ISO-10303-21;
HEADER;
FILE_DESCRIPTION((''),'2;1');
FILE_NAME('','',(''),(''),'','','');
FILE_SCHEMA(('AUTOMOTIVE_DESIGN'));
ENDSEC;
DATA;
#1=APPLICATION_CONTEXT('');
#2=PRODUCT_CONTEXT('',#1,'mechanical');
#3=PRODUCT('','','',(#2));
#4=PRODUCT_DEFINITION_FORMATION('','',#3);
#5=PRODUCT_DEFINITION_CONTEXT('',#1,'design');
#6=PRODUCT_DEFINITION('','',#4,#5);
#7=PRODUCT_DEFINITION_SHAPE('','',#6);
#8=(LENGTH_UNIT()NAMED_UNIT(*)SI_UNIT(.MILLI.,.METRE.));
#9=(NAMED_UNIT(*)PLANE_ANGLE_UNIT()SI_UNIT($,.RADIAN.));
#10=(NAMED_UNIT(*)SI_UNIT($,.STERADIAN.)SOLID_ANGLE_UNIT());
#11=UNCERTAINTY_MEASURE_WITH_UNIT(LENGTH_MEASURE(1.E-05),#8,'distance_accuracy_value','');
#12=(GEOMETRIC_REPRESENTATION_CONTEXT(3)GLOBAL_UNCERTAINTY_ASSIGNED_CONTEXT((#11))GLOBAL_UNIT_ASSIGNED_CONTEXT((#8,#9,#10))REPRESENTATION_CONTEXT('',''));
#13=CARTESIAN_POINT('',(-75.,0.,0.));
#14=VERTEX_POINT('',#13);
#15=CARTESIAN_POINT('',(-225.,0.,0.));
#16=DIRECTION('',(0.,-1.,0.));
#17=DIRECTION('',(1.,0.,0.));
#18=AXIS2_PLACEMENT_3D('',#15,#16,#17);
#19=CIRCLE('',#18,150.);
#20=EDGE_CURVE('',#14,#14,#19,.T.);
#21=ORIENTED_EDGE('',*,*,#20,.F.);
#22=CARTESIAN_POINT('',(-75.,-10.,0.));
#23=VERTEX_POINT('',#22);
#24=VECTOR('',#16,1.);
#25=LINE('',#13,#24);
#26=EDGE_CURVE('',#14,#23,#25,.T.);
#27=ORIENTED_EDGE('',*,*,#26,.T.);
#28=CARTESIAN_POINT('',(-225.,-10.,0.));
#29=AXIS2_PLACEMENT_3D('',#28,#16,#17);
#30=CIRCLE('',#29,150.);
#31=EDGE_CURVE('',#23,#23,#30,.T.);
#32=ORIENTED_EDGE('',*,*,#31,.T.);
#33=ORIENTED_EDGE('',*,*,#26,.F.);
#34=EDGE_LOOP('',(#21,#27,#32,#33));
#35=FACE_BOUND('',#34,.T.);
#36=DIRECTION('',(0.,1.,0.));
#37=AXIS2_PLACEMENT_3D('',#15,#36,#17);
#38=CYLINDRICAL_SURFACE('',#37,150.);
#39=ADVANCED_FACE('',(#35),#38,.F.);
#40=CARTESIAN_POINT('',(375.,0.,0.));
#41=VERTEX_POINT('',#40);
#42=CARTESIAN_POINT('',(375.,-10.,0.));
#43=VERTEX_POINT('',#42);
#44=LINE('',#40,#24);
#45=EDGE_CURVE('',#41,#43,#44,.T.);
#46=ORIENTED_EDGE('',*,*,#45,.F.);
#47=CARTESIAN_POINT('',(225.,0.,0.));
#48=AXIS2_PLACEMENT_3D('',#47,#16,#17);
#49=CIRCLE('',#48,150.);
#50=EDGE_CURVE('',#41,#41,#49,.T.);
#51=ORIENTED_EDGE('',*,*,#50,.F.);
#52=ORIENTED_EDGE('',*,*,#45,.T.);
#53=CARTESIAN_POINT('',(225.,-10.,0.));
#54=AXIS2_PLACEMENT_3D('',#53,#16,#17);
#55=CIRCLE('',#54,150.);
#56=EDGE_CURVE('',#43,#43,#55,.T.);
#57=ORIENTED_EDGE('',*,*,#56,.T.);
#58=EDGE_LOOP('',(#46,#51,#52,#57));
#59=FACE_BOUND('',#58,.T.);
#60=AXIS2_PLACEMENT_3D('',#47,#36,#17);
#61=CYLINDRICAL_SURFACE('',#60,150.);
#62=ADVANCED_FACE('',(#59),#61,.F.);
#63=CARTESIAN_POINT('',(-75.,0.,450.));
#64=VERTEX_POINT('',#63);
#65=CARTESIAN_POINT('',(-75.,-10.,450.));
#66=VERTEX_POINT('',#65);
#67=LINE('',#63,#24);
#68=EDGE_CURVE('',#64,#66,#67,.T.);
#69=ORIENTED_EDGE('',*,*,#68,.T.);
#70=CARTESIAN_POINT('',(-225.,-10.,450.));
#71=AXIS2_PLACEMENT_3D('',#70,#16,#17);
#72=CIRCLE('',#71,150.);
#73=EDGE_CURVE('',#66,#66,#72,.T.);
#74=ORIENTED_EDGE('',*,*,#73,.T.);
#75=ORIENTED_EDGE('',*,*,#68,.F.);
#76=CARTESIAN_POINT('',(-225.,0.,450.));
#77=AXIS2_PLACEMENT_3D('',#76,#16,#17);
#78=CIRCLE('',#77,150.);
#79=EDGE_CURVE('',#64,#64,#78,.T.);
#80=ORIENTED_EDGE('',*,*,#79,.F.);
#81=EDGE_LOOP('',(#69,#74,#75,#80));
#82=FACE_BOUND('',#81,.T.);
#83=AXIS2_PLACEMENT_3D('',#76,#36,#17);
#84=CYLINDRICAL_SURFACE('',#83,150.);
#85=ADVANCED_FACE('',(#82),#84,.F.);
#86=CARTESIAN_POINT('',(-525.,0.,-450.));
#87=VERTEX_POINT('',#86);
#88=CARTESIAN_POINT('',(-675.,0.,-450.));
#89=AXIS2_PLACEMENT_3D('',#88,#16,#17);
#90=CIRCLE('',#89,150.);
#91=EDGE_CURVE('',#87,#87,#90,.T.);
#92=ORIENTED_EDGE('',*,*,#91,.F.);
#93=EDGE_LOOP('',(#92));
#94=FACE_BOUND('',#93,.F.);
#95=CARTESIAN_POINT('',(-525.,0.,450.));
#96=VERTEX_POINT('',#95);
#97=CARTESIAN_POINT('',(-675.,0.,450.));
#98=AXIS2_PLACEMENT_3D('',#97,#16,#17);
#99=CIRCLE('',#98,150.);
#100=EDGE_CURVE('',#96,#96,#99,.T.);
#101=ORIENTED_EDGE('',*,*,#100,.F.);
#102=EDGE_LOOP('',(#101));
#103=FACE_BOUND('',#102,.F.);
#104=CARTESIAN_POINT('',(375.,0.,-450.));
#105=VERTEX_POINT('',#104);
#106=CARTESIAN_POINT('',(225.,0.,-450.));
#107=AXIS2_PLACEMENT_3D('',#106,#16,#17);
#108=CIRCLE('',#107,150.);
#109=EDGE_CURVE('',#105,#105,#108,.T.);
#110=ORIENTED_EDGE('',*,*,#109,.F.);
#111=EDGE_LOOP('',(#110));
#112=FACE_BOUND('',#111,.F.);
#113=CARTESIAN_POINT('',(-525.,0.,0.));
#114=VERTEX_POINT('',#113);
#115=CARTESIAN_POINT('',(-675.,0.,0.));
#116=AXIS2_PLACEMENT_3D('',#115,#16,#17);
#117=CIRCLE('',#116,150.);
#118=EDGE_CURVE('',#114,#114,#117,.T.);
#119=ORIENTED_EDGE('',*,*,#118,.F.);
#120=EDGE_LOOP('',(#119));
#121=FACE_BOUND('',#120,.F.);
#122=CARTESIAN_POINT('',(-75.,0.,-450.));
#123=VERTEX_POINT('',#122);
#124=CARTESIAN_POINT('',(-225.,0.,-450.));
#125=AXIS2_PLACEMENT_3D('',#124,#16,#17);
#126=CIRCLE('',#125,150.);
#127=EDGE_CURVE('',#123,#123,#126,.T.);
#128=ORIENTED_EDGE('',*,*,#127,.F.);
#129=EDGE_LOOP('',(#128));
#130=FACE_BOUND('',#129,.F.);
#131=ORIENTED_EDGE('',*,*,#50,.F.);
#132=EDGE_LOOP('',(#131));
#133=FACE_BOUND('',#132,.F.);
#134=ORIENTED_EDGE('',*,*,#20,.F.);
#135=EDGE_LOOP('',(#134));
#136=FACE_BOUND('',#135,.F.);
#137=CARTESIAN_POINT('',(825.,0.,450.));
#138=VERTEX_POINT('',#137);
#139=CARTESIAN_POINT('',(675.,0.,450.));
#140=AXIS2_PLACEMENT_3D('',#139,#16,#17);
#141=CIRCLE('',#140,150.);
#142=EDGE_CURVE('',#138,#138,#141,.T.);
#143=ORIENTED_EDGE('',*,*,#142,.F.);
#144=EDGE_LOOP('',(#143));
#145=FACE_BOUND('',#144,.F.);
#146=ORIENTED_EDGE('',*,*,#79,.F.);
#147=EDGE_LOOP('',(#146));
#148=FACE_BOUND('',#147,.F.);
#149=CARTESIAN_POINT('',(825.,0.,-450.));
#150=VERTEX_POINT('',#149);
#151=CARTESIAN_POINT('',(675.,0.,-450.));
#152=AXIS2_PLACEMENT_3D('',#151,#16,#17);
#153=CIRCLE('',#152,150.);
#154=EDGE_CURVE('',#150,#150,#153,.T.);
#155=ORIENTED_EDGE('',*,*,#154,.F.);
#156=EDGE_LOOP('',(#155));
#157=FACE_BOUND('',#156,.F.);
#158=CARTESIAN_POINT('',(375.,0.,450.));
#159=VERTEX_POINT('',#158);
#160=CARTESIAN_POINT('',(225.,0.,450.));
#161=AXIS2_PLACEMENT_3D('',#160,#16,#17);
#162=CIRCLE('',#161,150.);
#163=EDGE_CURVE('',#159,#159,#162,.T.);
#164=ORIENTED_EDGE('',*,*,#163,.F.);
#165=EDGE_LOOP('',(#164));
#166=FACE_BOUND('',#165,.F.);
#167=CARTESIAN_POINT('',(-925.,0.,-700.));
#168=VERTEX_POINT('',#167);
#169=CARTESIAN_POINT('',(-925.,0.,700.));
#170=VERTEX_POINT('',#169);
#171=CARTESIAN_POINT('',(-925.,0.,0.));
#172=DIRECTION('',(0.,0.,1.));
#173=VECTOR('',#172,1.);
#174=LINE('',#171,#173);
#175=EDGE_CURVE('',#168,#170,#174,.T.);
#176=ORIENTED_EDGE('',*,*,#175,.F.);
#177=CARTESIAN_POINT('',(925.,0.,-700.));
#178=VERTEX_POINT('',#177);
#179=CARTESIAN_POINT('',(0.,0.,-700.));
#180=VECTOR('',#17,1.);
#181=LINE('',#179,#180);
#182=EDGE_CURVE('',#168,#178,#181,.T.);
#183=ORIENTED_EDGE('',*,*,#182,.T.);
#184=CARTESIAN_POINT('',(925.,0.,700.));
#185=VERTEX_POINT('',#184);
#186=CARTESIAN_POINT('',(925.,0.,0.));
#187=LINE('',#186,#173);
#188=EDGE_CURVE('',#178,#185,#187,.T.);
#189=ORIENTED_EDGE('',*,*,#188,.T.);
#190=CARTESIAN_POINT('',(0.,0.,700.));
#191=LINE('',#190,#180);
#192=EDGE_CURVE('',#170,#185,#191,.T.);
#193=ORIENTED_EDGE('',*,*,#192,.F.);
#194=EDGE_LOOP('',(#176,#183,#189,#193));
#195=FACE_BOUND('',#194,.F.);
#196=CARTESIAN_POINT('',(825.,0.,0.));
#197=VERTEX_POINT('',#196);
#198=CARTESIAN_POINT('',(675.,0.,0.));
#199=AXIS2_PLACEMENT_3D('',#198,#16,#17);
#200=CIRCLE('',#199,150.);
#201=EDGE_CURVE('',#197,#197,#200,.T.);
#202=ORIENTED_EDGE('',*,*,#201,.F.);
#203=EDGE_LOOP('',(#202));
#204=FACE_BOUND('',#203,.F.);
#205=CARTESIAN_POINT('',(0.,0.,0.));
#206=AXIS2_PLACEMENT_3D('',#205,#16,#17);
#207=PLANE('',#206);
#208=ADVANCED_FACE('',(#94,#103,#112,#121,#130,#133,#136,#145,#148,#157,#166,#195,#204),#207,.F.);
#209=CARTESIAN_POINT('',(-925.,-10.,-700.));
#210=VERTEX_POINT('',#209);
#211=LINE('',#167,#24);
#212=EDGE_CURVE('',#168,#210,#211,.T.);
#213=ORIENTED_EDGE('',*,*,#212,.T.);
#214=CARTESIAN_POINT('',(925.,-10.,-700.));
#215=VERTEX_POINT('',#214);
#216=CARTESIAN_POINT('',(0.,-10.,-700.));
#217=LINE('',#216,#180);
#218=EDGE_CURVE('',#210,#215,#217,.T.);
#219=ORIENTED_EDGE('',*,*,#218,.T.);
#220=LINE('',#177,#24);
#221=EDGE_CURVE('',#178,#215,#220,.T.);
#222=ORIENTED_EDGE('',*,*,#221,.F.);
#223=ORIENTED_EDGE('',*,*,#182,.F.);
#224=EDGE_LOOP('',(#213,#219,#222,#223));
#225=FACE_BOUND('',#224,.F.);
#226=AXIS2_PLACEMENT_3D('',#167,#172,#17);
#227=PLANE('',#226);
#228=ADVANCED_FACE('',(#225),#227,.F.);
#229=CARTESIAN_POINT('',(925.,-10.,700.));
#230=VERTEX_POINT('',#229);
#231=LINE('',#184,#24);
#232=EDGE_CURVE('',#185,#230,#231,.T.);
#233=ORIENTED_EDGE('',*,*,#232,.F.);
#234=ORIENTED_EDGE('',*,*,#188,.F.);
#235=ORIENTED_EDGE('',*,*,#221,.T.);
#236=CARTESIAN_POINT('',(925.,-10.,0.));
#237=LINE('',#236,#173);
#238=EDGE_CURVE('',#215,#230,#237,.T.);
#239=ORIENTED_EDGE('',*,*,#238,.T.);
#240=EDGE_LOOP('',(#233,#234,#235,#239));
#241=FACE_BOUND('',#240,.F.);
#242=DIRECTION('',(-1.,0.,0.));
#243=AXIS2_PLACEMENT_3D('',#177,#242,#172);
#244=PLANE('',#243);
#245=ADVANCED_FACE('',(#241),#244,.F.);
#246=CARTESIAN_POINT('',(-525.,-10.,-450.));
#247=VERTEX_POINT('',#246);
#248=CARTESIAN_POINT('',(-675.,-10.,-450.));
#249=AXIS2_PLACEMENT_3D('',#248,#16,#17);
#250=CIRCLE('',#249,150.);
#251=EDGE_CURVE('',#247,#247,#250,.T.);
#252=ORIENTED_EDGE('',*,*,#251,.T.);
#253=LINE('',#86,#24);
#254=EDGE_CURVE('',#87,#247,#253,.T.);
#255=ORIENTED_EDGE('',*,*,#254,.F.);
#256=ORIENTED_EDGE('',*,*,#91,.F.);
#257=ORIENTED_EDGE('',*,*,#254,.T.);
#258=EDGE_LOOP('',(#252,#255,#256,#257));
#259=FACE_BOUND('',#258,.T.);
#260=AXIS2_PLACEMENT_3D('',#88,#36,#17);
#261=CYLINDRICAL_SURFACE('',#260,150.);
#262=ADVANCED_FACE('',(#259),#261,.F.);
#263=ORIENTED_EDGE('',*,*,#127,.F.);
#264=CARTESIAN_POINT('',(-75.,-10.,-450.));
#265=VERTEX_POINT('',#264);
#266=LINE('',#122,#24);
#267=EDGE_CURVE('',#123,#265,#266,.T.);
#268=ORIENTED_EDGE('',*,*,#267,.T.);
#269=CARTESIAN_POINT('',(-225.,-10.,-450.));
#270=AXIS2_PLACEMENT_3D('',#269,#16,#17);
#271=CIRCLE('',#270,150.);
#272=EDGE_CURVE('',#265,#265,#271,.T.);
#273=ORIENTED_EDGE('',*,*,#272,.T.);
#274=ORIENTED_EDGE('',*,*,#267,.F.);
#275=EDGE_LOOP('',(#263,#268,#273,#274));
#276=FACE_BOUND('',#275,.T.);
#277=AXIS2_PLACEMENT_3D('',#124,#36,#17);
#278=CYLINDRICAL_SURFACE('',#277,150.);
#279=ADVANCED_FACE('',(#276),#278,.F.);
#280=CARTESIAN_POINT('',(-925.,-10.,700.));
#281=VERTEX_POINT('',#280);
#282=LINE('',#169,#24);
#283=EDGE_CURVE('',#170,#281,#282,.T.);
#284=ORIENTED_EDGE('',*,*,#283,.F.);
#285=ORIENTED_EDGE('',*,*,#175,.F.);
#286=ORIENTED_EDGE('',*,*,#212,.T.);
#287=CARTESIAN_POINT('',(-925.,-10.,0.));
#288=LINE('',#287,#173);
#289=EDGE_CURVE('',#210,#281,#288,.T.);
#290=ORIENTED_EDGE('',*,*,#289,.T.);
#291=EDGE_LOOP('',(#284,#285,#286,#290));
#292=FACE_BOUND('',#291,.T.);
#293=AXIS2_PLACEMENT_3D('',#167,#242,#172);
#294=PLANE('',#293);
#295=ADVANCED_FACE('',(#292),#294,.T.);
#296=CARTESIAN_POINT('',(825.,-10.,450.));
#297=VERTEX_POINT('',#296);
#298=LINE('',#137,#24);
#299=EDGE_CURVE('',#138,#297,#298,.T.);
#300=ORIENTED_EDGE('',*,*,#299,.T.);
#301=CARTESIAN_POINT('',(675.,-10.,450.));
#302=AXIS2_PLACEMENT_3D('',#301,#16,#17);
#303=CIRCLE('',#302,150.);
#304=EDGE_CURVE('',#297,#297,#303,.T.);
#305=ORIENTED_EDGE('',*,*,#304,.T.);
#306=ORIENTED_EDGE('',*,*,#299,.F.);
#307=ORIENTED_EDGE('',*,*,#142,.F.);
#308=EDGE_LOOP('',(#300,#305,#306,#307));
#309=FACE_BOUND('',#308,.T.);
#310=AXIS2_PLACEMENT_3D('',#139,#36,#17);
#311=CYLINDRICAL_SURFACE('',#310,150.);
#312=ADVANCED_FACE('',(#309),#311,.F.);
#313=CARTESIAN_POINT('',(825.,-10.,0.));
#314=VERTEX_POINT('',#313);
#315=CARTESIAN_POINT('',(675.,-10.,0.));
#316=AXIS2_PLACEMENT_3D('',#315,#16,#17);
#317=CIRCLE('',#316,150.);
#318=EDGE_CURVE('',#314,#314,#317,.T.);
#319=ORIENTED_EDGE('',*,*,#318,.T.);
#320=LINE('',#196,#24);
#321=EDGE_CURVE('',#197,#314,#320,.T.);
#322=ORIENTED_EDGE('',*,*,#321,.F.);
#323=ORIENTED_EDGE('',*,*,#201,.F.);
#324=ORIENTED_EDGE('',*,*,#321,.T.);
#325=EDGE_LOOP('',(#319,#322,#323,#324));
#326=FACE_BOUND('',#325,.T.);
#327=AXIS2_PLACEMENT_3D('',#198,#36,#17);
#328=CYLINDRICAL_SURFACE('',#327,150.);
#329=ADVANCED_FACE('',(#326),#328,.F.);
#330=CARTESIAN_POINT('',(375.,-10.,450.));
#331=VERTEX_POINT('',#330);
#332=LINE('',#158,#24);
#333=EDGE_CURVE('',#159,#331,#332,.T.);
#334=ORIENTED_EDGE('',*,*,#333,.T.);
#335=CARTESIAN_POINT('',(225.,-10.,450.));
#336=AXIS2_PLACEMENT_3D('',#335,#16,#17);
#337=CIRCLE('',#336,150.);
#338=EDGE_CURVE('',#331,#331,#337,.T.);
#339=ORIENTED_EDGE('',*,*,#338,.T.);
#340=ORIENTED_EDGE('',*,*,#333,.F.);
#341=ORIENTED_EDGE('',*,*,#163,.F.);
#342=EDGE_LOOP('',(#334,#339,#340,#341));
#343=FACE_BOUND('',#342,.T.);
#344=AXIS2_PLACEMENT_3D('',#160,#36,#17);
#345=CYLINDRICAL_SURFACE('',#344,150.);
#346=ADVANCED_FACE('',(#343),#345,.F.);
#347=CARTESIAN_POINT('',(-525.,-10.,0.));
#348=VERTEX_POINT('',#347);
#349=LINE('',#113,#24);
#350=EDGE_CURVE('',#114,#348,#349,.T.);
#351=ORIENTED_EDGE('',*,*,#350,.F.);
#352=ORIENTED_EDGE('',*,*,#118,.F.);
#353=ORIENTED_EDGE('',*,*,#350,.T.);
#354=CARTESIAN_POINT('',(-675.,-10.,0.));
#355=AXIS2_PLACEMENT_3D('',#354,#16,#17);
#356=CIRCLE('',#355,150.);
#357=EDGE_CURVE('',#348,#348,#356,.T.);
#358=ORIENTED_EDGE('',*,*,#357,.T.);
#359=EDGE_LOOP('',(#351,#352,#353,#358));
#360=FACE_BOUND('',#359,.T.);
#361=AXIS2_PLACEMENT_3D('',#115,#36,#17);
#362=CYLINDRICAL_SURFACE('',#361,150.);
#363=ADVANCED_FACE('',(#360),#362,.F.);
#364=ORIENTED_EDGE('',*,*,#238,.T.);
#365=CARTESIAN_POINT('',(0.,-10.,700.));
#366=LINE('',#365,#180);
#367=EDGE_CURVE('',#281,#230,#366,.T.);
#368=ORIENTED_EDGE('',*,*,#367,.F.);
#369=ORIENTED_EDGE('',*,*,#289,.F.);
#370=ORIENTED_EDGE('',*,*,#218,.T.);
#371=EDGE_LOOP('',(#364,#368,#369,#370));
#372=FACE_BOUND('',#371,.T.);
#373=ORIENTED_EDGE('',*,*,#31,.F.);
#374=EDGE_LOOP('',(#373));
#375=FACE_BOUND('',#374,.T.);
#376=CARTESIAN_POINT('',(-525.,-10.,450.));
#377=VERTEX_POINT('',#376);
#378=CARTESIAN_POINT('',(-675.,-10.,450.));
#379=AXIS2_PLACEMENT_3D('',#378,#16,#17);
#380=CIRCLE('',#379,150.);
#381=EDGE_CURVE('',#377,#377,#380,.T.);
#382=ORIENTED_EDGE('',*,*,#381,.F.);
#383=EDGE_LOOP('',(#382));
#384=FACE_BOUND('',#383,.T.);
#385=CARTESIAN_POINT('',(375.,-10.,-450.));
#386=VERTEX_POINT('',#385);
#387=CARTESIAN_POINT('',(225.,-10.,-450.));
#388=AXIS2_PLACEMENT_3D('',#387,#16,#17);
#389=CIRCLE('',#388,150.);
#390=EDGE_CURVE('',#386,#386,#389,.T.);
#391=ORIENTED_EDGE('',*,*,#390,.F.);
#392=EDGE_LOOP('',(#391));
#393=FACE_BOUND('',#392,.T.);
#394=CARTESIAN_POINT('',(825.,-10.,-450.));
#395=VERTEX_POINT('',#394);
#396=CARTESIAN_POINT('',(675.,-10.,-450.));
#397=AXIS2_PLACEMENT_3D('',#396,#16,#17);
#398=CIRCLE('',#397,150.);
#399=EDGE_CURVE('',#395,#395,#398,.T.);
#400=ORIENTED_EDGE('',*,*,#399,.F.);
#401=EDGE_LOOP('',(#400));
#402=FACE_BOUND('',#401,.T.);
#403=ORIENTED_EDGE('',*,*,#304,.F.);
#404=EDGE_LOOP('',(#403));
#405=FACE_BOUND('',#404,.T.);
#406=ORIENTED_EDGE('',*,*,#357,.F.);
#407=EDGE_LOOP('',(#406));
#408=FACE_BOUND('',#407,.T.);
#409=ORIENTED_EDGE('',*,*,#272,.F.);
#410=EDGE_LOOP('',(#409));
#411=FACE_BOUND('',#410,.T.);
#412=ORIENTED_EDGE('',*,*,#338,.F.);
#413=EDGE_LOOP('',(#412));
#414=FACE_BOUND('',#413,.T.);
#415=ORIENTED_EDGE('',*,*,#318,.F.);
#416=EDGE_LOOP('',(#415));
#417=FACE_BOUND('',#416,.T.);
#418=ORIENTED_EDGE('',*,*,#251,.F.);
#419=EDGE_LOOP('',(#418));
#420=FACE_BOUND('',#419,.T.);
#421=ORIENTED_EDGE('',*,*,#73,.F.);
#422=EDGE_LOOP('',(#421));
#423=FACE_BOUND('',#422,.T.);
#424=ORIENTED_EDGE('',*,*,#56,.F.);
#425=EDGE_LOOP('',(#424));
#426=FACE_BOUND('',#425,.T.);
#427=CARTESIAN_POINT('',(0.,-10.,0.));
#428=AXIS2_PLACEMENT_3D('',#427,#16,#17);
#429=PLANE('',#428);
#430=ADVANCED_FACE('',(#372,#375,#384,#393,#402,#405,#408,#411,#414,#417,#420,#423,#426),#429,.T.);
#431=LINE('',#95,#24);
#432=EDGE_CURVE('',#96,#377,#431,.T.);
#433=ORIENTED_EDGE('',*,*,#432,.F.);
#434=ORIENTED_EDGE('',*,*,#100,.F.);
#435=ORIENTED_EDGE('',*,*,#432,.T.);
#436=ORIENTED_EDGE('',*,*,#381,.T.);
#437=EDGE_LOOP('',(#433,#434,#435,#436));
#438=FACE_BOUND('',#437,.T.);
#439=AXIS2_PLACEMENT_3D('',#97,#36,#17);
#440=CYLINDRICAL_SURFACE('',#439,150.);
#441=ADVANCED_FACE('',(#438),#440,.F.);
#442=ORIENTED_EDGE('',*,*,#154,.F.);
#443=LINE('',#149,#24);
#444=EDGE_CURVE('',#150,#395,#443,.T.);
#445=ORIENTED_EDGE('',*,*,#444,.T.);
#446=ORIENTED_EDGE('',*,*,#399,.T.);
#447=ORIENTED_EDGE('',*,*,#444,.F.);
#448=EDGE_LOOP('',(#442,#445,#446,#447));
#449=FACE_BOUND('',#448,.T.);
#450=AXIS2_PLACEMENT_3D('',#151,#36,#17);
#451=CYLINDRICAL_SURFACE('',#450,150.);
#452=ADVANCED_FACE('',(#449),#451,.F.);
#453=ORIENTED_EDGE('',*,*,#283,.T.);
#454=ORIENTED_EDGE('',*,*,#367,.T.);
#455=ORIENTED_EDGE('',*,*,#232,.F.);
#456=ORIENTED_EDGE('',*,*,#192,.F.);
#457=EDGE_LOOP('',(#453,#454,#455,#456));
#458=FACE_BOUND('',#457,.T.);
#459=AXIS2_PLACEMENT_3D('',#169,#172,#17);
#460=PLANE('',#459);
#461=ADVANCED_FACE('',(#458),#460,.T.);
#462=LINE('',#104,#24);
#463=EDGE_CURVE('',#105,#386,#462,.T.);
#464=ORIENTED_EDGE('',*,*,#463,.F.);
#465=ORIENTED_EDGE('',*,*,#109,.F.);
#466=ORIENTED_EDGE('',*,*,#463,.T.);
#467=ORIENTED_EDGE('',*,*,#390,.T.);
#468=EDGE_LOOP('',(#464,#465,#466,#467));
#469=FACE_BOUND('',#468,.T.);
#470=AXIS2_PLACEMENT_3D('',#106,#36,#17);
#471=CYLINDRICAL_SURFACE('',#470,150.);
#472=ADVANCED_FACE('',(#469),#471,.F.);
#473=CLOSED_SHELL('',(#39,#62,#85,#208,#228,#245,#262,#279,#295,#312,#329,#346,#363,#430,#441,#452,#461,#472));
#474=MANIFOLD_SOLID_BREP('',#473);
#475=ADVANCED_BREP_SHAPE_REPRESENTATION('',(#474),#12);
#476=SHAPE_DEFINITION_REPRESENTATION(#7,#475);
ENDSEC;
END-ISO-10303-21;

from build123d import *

# Parameters (mm, degrees)
F0_W     = 1850
F0_H     = 1400
F0_R     = 150
F1_DEPTH = 10


with BuildPart() as f1:
    # F0 (on Front) → F1 (new body)
    with BuildSketch(Plane.XZ):
        Rectangle(F0_W, F0_H)
        with Locations((-675, -450)):
            Circle(F0_R, mode=Mode.SUBTRACT)
        with Locations((-225, -450)):
            Circle(F0_R, mode=Mode.SUBTRACT)
        with Locations((225, -450)):
            Circle(F0_R, mode=Mode.SUBTRACT)
        with Locations((675, -450)):
            Circle(F0_R, mode=Mode.SUBTRACT)
        with Locations((-675, 0)):
            Circle(F0_R, mode=Mode.SUBTRACT)
        with Locations((-225, 0)):
            Circle(F0_R, mode=Mode.SUBTRACT)
        with Locations((-675, 450)):
            Circle(F0_R, mode=Mode.SUBTRACT)
        with Locations((-225, 450)):
            Circle(F0_R, mode=Mode.SUBTRACT)
        with Locations((225, 0)):
            Circle(F0_R, mode=Mode.SUBTRACT)
        with Locations((675, 0)):
            Circle(F0_R, mode=Mode.SUBTRACT)
        with Locations((225, 450)):
            Circle(F0_R, mode=Mode.SUBTRACT)
        with Locations((675, 450)):
            Circle(F0_R, mode=Mode.SUBTRACT)
    extrude(amount=F1_DEPTH)


solid = f1.part
